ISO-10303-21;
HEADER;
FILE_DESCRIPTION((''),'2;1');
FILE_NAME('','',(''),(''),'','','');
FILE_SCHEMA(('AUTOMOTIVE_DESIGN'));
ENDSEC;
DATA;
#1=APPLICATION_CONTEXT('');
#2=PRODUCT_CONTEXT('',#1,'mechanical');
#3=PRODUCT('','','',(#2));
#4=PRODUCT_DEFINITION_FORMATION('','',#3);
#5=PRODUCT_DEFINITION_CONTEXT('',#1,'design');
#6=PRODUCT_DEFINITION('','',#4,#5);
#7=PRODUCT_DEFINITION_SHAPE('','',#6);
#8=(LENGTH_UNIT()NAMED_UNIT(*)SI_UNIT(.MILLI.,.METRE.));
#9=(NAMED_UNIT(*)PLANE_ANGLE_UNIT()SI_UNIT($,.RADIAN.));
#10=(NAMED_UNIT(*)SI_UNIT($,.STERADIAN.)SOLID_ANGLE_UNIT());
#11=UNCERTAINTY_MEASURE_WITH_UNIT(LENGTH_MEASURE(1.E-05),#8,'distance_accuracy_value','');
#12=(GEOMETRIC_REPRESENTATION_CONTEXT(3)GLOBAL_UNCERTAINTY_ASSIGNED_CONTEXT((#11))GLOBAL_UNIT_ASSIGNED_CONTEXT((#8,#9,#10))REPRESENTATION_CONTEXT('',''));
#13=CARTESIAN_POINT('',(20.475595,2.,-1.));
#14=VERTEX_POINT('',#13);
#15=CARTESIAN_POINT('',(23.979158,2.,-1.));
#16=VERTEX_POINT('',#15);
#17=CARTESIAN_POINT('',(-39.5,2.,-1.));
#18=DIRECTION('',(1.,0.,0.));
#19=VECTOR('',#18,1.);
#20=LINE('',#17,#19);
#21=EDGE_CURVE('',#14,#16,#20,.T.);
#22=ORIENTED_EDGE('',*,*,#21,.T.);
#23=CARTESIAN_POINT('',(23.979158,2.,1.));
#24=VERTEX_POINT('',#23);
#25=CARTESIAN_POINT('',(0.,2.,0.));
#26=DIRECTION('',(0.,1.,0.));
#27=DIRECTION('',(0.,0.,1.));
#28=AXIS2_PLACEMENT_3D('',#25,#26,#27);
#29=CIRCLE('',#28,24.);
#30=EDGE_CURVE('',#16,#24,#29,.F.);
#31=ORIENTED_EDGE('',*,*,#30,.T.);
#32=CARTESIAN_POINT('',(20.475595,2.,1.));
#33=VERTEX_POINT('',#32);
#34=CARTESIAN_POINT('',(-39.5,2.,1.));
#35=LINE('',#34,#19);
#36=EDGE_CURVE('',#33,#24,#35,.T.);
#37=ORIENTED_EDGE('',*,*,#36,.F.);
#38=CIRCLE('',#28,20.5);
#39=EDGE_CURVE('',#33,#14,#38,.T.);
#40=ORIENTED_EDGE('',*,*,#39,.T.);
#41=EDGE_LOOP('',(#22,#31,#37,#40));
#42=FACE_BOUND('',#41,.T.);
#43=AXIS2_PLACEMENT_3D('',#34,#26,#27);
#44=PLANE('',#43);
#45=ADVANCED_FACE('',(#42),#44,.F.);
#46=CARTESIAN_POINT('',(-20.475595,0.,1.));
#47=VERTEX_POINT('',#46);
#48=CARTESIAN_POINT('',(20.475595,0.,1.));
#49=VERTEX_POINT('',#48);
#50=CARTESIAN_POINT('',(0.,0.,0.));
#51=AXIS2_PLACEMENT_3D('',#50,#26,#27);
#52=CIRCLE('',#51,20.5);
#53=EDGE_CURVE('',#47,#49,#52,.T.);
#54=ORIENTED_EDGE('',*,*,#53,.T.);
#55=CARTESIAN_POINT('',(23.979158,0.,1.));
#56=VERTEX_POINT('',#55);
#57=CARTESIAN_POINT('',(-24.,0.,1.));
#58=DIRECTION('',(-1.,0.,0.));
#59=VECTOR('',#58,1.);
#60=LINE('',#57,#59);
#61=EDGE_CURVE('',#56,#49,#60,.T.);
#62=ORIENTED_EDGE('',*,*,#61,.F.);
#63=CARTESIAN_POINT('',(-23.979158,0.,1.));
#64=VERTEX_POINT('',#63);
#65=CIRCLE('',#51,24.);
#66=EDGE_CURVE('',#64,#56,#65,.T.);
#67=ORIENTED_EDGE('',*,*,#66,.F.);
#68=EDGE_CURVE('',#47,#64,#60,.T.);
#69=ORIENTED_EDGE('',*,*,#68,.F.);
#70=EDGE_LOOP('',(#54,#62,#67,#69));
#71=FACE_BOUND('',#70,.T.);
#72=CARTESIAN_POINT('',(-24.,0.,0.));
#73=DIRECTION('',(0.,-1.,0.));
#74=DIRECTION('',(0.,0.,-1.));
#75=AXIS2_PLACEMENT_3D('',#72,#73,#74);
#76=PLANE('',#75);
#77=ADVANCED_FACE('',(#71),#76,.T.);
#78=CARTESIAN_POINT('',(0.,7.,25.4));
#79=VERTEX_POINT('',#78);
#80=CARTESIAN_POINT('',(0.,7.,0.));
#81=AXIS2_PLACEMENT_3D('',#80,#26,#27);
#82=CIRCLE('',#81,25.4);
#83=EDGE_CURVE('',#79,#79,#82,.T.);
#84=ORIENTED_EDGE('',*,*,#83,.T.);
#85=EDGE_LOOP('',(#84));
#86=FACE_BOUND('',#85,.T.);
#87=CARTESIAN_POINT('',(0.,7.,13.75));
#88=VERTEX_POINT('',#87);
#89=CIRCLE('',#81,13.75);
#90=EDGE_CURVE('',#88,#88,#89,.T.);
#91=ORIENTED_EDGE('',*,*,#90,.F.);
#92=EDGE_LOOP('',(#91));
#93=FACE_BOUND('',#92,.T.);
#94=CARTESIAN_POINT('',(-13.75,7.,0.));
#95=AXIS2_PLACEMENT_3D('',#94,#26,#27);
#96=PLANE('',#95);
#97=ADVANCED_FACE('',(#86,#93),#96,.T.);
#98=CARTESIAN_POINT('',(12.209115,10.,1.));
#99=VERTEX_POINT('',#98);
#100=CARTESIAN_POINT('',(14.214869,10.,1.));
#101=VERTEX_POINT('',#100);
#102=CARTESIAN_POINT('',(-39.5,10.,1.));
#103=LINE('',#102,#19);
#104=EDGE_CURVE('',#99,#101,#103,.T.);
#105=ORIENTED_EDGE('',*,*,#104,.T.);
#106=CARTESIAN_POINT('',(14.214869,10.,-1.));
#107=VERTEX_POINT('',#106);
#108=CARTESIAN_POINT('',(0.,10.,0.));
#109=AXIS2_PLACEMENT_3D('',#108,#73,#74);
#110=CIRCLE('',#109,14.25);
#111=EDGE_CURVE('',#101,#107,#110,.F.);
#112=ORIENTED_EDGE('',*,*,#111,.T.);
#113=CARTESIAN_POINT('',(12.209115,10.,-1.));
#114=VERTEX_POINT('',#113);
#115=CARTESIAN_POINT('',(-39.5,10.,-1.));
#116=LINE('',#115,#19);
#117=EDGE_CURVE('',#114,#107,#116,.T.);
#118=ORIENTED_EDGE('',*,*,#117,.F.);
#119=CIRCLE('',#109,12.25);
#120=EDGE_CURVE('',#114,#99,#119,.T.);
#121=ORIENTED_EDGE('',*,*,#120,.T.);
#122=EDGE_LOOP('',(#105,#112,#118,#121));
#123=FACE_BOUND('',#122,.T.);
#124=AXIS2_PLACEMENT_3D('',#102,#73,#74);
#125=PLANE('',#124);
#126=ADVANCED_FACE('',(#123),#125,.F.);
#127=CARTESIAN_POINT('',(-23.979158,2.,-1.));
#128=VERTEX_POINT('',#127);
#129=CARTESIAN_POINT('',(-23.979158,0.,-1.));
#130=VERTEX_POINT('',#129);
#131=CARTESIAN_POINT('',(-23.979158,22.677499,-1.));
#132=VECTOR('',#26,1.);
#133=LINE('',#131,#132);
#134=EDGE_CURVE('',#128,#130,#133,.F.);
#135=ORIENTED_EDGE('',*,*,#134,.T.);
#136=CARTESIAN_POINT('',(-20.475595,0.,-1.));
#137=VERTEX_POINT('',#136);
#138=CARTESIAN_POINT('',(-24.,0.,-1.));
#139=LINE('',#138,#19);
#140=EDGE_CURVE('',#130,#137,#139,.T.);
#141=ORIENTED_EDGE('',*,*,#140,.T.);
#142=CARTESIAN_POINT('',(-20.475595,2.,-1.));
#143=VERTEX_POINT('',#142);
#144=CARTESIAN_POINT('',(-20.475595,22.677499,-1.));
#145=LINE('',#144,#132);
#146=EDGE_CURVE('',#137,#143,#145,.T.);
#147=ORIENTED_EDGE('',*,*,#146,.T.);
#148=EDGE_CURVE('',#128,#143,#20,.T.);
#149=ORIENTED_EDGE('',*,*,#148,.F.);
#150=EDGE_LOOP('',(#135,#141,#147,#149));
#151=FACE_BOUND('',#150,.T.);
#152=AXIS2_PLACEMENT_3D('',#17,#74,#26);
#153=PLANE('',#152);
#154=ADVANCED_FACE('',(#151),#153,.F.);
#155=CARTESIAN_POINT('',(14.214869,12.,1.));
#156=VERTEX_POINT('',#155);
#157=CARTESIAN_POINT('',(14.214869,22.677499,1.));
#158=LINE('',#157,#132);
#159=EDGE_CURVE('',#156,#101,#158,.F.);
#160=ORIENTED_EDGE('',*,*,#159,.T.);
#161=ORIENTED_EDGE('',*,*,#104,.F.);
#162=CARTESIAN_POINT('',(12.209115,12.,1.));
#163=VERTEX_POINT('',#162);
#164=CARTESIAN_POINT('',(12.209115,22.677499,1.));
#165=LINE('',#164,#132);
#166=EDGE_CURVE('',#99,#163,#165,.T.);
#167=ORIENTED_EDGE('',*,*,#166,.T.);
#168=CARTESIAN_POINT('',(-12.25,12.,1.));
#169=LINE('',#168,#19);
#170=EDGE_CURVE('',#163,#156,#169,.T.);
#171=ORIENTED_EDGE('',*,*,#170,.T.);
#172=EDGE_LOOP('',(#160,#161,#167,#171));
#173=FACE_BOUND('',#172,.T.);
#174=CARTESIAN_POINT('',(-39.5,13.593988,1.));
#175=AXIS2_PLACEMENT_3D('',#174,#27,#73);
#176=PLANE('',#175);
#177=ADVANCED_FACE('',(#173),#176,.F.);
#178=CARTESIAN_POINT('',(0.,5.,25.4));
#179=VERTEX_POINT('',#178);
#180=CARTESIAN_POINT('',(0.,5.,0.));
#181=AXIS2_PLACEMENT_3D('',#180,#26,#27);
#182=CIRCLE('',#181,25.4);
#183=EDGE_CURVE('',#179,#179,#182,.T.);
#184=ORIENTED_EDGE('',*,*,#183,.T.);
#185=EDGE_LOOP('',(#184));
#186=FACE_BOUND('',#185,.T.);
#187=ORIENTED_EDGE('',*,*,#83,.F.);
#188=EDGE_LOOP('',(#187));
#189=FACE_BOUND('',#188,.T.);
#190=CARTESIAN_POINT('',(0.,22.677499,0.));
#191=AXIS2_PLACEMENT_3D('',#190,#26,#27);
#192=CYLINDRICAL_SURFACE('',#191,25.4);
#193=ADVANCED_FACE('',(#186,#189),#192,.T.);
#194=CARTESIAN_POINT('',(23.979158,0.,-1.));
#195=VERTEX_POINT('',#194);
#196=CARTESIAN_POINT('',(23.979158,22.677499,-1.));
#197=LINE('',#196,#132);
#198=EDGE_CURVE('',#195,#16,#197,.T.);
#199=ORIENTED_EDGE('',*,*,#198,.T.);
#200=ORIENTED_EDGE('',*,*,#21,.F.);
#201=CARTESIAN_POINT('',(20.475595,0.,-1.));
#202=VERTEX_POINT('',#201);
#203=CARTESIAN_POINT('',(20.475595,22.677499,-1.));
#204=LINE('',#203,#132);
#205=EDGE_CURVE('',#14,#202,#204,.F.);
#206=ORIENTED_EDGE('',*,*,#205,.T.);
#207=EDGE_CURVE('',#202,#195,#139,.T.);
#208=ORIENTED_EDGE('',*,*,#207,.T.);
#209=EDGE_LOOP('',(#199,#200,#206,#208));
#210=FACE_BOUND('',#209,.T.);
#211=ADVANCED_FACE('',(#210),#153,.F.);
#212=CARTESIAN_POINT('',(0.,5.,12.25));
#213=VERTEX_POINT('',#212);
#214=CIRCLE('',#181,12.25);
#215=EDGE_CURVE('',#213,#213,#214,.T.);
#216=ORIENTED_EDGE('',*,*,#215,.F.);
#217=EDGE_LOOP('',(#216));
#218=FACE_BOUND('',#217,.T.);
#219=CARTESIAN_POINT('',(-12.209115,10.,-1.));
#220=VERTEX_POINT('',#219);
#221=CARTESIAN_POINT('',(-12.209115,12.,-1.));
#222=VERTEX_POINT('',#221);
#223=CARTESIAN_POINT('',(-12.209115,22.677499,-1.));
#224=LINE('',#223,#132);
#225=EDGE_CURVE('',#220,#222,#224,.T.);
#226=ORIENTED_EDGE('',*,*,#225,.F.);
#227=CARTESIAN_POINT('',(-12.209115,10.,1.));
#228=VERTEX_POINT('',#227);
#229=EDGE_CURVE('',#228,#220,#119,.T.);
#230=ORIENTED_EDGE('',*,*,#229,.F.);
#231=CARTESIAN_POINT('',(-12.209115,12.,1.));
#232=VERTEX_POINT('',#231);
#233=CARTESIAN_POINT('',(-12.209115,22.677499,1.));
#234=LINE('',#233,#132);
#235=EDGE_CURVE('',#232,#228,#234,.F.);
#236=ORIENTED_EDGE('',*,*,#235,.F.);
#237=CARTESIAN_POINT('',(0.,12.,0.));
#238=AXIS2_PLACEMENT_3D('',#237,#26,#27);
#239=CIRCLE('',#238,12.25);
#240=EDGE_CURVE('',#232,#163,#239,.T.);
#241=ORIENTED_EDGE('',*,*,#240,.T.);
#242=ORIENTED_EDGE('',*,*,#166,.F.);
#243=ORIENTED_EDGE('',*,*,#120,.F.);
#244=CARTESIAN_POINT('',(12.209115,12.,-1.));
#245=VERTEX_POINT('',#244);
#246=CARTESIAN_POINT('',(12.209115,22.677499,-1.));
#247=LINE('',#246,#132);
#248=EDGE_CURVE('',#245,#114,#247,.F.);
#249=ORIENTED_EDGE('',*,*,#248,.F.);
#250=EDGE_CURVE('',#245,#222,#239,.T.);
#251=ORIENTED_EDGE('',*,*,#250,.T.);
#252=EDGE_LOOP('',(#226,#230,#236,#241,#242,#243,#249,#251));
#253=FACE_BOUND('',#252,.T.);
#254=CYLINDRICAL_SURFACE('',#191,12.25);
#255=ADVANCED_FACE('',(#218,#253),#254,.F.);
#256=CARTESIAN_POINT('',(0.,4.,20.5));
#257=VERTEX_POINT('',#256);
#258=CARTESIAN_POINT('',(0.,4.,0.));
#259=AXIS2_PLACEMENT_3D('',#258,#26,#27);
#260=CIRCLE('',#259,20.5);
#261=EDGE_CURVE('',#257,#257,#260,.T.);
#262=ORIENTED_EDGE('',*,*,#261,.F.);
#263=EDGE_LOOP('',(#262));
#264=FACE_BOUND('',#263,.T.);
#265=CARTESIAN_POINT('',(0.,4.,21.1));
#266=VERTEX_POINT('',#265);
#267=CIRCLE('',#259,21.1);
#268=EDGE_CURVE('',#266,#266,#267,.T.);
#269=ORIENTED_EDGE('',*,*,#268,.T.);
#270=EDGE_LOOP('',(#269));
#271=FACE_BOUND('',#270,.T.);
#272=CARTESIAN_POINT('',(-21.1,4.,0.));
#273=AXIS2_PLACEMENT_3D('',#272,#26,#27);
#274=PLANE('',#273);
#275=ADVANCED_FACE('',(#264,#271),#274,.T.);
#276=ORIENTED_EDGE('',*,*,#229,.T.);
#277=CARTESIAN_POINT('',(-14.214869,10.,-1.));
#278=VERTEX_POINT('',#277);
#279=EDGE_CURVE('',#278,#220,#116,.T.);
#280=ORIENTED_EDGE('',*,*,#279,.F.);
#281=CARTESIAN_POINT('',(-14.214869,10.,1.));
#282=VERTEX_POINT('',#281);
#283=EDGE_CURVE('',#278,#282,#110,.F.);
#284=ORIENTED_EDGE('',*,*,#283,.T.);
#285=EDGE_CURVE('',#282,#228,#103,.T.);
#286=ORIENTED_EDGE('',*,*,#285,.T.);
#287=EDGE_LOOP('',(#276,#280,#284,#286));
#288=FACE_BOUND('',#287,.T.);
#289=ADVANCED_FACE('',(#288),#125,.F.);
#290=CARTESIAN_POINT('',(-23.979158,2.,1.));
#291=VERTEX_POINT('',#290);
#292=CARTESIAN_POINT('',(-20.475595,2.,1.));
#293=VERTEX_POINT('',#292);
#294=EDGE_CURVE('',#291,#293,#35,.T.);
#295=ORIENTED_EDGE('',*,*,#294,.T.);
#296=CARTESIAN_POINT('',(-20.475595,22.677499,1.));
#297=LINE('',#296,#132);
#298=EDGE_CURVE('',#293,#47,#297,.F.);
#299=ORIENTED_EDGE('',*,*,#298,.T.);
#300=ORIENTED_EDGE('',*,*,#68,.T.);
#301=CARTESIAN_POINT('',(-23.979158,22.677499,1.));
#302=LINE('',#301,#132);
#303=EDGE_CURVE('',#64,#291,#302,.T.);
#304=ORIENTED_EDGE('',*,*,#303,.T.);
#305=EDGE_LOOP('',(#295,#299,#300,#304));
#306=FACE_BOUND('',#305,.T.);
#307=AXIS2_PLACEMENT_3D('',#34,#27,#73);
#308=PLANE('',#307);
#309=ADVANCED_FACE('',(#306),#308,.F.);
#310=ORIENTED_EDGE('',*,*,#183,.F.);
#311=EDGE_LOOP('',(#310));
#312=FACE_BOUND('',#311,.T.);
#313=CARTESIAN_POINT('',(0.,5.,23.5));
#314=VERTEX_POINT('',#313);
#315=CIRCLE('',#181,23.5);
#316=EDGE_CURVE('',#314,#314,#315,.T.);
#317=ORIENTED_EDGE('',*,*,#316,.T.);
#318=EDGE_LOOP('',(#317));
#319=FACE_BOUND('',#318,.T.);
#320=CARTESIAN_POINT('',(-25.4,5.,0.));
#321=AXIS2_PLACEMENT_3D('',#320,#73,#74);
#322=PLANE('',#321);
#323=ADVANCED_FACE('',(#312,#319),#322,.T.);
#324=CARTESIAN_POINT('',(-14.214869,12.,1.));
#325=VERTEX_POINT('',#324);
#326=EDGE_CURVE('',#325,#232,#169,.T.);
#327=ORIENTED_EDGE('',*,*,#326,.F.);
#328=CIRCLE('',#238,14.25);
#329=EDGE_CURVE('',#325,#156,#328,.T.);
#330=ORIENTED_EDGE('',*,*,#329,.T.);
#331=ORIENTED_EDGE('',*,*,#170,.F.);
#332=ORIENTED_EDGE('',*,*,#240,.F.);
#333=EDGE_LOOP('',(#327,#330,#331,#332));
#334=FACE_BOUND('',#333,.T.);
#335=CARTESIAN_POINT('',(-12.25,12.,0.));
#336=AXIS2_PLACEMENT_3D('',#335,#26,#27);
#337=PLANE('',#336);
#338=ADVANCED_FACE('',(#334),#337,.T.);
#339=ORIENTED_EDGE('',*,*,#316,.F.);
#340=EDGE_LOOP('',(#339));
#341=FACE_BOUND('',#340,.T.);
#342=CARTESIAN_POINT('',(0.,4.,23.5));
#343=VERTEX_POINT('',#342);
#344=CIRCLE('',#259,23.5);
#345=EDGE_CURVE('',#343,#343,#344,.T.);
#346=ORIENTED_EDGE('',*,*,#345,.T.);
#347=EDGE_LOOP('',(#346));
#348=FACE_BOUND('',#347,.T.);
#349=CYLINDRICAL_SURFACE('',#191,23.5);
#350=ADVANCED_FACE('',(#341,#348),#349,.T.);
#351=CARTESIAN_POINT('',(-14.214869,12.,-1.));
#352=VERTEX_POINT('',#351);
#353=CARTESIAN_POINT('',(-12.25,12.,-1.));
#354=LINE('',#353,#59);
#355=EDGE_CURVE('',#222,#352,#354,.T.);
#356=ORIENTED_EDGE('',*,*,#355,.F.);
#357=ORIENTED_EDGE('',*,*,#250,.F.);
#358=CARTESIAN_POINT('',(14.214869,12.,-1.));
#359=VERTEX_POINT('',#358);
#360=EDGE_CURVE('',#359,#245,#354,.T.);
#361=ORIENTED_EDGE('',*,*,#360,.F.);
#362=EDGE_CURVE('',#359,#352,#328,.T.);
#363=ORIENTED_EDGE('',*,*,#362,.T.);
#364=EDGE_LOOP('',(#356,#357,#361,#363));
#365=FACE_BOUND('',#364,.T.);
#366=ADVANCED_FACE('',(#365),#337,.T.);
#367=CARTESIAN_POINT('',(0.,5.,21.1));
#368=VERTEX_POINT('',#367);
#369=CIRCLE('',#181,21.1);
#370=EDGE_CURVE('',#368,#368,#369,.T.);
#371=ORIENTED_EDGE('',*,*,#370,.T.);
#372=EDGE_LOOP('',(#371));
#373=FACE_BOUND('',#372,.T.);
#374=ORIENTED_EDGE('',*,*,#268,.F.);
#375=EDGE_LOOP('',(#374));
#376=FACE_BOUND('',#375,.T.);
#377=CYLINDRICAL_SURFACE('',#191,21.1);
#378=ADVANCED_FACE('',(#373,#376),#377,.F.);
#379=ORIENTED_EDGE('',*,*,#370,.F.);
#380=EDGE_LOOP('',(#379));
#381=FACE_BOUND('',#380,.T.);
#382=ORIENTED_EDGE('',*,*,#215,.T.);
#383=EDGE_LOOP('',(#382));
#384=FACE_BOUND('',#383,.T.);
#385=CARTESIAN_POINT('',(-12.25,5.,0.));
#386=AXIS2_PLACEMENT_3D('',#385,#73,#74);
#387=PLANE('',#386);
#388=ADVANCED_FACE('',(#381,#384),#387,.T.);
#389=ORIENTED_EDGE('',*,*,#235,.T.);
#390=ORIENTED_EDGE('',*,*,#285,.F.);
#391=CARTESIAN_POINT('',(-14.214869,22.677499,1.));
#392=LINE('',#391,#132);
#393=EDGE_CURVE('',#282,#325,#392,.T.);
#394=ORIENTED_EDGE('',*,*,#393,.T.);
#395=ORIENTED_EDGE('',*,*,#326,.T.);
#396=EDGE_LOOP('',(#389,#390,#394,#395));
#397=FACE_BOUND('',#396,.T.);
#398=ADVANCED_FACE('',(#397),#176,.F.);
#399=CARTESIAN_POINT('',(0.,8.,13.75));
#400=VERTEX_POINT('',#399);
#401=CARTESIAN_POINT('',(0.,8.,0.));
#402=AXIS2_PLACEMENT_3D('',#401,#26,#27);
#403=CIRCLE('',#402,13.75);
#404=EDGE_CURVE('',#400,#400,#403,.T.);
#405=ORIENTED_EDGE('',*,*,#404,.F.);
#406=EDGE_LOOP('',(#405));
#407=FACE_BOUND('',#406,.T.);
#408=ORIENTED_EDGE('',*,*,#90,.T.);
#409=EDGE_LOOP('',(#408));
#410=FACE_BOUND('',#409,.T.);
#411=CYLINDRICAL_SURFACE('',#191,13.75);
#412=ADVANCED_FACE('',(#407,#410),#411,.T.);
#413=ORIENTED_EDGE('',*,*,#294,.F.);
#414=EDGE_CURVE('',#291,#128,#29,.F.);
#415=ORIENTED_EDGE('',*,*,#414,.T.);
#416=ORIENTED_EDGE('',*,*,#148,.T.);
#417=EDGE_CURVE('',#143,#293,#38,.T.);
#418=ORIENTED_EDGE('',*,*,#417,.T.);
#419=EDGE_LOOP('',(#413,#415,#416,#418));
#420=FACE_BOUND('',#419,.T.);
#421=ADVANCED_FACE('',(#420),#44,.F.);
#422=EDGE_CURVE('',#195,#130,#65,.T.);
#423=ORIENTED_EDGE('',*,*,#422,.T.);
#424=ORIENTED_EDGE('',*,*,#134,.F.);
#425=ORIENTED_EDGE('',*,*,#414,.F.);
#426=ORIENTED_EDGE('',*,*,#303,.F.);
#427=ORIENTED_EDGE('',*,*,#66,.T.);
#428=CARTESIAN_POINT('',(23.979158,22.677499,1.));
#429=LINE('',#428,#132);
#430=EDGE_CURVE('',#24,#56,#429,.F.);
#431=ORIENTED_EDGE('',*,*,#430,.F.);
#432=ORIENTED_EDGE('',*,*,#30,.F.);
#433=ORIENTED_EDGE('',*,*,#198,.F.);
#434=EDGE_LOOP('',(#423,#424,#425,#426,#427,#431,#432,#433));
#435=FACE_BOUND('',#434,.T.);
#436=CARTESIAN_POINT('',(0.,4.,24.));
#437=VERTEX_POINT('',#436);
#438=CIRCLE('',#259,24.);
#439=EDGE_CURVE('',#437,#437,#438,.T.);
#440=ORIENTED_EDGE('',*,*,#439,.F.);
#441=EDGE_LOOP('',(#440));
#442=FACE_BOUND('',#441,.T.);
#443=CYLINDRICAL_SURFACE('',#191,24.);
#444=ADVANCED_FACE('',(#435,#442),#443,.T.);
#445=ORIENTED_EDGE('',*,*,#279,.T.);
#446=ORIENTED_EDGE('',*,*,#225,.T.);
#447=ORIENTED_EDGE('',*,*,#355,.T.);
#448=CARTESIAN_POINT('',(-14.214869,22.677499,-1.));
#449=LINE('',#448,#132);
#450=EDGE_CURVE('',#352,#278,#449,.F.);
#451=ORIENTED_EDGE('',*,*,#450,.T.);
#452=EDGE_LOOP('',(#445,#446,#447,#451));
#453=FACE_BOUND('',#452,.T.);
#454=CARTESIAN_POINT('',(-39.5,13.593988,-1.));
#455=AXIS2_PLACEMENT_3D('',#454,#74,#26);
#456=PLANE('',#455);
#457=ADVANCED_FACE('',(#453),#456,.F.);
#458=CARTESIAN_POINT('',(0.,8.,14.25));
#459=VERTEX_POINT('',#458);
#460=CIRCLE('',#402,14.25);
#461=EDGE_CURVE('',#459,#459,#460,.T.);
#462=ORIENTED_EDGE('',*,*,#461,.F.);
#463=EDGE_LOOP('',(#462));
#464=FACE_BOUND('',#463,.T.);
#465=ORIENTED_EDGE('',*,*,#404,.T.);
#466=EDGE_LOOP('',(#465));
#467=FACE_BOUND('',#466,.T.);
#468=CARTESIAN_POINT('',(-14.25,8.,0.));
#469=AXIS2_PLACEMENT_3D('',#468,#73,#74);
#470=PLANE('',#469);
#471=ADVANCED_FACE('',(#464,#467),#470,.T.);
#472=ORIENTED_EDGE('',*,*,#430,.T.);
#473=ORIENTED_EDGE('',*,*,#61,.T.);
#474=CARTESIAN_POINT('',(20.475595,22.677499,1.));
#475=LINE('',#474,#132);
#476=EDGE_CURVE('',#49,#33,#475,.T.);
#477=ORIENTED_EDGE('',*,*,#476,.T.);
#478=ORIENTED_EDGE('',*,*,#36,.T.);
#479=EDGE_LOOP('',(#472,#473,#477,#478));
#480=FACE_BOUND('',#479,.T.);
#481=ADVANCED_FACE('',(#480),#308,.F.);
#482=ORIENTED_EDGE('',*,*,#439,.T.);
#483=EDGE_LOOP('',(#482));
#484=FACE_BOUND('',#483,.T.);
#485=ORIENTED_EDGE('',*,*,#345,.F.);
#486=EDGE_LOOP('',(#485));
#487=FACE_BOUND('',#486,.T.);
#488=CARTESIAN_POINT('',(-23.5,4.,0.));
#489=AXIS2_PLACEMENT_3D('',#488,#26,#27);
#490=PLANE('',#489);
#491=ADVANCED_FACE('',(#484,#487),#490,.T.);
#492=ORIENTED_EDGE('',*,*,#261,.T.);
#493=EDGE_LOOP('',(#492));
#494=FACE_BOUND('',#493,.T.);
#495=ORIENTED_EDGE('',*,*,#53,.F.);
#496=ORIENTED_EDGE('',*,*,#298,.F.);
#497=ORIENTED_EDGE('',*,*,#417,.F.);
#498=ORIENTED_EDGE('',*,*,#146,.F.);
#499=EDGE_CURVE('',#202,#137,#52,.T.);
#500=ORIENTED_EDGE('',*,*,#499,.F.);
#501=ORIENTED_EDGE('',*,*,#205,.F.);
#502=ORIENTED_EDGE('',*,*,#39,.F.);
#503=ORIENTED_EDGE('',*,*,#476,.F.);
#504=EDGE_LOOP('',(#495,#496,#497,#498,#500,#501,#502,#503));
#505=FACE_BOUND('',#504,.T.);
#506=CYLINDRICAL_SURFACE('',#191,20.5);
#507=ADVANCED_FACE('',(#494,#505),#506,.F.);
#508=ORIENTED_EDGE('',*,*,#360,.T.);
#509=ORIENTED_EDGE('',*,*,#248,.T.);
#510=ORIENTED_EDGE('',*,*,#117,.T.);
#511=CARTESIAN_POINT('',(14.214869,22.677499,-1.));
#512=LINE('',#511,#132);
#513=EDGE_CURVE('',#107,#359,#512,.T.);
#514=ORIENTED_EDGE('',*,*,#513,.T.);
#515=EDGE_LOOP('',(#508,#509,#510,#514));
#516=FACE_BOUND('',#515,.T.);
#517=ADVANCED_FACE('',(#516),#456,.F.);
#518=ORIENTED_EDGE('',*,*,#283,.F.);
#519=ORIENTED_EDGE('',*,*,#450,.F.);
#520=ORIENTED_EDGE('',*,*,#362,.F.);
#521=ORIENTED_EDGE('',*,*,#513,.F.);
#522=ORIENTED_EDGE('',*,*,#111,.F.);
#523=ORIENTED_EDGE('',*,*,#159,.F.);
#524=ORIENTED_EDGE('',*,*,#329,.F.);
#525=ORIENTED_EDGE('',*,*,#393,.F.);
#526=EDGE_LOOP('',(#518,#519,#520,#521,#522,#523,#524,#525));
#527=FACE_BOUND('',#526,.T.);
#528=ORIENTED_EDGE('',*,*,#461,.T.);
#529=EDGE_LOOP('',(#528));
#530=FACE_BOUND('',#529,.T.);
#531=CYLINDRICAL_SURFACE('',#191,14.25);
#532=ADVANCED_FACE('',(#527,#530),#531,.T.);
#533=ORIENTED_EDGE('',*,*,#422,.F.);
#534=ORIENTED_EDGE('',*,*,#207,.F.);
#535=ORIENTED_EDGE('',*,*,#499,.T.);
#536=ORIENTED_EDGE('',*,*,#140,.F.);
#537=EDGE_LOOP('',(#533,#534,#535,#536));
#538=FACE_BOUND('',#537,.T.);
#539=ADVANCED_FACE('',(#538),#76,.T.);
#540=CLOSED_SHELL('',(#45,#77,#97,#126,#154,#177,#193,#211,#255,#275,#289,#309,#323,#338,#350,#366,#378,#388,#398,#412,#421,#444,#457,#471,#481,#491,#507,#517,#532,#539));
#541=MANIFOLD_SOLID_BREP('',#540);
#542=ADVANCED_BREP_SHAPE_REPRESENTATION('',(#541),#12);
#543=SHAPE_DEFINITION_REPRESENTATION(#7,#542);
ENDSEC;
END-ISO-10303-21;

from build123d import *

# Parameters (mm, degrees)
SKETCH_2_W          = 2
SKETCH_2_H          = 3.593987872
SKETCH_2_H_2        = 6.667892238
CUT_EXTRUDE_1_DEPTH = 39.5


with BuildPart() as part:
    # 草图1 → 旋转1 (revolve)
    with BuildSketch(Plane.XY, mode=Mode.PRIVATE) as revolve_1_sk:
        Polygon((-12.25, 12), (-14.25, 12), (-14.25, 8), (-13.75, 8), (-13.75, 7), (-25.4, 7), (-25.4, 5), (-23.5, 5), (-23.5, 4), (-24, 4), (-24, 0), (-20.5, 0), (-20.5, 4), (-21.1, 4), (-21.1, 5), (-12.25, 5), align=None)
    revolve(revolve_1_sk.sketch.rotate(Axis((0, 22.677499451, 0), (0, -1, 0)), 270), axis=Axis((0, 22.677499451, 0), (0, -1, 0)))  # turned: the seam where the file's is

    # 草图2 → 切除-拉伸1 (cut, symmetric)
    with BuildSketch(Plane(origin=(0, 0, 0), x_dir=(0, 0, -1), z_dir=(1, 0, 0))):
        with Locations((0, 11.796993936)):
            Rectangle(SKETCH_2_W, SKETCH_2_H)
        with Locations((0, -1.333946119)):
            Rectangle(SKETCH_2_W, SKETCH_2_H_2)
    extrude(amount=CUT_EXTRUDE_1_DEPTH, both=True, mode=Mode.SUBTRACT)


solid = part.part
